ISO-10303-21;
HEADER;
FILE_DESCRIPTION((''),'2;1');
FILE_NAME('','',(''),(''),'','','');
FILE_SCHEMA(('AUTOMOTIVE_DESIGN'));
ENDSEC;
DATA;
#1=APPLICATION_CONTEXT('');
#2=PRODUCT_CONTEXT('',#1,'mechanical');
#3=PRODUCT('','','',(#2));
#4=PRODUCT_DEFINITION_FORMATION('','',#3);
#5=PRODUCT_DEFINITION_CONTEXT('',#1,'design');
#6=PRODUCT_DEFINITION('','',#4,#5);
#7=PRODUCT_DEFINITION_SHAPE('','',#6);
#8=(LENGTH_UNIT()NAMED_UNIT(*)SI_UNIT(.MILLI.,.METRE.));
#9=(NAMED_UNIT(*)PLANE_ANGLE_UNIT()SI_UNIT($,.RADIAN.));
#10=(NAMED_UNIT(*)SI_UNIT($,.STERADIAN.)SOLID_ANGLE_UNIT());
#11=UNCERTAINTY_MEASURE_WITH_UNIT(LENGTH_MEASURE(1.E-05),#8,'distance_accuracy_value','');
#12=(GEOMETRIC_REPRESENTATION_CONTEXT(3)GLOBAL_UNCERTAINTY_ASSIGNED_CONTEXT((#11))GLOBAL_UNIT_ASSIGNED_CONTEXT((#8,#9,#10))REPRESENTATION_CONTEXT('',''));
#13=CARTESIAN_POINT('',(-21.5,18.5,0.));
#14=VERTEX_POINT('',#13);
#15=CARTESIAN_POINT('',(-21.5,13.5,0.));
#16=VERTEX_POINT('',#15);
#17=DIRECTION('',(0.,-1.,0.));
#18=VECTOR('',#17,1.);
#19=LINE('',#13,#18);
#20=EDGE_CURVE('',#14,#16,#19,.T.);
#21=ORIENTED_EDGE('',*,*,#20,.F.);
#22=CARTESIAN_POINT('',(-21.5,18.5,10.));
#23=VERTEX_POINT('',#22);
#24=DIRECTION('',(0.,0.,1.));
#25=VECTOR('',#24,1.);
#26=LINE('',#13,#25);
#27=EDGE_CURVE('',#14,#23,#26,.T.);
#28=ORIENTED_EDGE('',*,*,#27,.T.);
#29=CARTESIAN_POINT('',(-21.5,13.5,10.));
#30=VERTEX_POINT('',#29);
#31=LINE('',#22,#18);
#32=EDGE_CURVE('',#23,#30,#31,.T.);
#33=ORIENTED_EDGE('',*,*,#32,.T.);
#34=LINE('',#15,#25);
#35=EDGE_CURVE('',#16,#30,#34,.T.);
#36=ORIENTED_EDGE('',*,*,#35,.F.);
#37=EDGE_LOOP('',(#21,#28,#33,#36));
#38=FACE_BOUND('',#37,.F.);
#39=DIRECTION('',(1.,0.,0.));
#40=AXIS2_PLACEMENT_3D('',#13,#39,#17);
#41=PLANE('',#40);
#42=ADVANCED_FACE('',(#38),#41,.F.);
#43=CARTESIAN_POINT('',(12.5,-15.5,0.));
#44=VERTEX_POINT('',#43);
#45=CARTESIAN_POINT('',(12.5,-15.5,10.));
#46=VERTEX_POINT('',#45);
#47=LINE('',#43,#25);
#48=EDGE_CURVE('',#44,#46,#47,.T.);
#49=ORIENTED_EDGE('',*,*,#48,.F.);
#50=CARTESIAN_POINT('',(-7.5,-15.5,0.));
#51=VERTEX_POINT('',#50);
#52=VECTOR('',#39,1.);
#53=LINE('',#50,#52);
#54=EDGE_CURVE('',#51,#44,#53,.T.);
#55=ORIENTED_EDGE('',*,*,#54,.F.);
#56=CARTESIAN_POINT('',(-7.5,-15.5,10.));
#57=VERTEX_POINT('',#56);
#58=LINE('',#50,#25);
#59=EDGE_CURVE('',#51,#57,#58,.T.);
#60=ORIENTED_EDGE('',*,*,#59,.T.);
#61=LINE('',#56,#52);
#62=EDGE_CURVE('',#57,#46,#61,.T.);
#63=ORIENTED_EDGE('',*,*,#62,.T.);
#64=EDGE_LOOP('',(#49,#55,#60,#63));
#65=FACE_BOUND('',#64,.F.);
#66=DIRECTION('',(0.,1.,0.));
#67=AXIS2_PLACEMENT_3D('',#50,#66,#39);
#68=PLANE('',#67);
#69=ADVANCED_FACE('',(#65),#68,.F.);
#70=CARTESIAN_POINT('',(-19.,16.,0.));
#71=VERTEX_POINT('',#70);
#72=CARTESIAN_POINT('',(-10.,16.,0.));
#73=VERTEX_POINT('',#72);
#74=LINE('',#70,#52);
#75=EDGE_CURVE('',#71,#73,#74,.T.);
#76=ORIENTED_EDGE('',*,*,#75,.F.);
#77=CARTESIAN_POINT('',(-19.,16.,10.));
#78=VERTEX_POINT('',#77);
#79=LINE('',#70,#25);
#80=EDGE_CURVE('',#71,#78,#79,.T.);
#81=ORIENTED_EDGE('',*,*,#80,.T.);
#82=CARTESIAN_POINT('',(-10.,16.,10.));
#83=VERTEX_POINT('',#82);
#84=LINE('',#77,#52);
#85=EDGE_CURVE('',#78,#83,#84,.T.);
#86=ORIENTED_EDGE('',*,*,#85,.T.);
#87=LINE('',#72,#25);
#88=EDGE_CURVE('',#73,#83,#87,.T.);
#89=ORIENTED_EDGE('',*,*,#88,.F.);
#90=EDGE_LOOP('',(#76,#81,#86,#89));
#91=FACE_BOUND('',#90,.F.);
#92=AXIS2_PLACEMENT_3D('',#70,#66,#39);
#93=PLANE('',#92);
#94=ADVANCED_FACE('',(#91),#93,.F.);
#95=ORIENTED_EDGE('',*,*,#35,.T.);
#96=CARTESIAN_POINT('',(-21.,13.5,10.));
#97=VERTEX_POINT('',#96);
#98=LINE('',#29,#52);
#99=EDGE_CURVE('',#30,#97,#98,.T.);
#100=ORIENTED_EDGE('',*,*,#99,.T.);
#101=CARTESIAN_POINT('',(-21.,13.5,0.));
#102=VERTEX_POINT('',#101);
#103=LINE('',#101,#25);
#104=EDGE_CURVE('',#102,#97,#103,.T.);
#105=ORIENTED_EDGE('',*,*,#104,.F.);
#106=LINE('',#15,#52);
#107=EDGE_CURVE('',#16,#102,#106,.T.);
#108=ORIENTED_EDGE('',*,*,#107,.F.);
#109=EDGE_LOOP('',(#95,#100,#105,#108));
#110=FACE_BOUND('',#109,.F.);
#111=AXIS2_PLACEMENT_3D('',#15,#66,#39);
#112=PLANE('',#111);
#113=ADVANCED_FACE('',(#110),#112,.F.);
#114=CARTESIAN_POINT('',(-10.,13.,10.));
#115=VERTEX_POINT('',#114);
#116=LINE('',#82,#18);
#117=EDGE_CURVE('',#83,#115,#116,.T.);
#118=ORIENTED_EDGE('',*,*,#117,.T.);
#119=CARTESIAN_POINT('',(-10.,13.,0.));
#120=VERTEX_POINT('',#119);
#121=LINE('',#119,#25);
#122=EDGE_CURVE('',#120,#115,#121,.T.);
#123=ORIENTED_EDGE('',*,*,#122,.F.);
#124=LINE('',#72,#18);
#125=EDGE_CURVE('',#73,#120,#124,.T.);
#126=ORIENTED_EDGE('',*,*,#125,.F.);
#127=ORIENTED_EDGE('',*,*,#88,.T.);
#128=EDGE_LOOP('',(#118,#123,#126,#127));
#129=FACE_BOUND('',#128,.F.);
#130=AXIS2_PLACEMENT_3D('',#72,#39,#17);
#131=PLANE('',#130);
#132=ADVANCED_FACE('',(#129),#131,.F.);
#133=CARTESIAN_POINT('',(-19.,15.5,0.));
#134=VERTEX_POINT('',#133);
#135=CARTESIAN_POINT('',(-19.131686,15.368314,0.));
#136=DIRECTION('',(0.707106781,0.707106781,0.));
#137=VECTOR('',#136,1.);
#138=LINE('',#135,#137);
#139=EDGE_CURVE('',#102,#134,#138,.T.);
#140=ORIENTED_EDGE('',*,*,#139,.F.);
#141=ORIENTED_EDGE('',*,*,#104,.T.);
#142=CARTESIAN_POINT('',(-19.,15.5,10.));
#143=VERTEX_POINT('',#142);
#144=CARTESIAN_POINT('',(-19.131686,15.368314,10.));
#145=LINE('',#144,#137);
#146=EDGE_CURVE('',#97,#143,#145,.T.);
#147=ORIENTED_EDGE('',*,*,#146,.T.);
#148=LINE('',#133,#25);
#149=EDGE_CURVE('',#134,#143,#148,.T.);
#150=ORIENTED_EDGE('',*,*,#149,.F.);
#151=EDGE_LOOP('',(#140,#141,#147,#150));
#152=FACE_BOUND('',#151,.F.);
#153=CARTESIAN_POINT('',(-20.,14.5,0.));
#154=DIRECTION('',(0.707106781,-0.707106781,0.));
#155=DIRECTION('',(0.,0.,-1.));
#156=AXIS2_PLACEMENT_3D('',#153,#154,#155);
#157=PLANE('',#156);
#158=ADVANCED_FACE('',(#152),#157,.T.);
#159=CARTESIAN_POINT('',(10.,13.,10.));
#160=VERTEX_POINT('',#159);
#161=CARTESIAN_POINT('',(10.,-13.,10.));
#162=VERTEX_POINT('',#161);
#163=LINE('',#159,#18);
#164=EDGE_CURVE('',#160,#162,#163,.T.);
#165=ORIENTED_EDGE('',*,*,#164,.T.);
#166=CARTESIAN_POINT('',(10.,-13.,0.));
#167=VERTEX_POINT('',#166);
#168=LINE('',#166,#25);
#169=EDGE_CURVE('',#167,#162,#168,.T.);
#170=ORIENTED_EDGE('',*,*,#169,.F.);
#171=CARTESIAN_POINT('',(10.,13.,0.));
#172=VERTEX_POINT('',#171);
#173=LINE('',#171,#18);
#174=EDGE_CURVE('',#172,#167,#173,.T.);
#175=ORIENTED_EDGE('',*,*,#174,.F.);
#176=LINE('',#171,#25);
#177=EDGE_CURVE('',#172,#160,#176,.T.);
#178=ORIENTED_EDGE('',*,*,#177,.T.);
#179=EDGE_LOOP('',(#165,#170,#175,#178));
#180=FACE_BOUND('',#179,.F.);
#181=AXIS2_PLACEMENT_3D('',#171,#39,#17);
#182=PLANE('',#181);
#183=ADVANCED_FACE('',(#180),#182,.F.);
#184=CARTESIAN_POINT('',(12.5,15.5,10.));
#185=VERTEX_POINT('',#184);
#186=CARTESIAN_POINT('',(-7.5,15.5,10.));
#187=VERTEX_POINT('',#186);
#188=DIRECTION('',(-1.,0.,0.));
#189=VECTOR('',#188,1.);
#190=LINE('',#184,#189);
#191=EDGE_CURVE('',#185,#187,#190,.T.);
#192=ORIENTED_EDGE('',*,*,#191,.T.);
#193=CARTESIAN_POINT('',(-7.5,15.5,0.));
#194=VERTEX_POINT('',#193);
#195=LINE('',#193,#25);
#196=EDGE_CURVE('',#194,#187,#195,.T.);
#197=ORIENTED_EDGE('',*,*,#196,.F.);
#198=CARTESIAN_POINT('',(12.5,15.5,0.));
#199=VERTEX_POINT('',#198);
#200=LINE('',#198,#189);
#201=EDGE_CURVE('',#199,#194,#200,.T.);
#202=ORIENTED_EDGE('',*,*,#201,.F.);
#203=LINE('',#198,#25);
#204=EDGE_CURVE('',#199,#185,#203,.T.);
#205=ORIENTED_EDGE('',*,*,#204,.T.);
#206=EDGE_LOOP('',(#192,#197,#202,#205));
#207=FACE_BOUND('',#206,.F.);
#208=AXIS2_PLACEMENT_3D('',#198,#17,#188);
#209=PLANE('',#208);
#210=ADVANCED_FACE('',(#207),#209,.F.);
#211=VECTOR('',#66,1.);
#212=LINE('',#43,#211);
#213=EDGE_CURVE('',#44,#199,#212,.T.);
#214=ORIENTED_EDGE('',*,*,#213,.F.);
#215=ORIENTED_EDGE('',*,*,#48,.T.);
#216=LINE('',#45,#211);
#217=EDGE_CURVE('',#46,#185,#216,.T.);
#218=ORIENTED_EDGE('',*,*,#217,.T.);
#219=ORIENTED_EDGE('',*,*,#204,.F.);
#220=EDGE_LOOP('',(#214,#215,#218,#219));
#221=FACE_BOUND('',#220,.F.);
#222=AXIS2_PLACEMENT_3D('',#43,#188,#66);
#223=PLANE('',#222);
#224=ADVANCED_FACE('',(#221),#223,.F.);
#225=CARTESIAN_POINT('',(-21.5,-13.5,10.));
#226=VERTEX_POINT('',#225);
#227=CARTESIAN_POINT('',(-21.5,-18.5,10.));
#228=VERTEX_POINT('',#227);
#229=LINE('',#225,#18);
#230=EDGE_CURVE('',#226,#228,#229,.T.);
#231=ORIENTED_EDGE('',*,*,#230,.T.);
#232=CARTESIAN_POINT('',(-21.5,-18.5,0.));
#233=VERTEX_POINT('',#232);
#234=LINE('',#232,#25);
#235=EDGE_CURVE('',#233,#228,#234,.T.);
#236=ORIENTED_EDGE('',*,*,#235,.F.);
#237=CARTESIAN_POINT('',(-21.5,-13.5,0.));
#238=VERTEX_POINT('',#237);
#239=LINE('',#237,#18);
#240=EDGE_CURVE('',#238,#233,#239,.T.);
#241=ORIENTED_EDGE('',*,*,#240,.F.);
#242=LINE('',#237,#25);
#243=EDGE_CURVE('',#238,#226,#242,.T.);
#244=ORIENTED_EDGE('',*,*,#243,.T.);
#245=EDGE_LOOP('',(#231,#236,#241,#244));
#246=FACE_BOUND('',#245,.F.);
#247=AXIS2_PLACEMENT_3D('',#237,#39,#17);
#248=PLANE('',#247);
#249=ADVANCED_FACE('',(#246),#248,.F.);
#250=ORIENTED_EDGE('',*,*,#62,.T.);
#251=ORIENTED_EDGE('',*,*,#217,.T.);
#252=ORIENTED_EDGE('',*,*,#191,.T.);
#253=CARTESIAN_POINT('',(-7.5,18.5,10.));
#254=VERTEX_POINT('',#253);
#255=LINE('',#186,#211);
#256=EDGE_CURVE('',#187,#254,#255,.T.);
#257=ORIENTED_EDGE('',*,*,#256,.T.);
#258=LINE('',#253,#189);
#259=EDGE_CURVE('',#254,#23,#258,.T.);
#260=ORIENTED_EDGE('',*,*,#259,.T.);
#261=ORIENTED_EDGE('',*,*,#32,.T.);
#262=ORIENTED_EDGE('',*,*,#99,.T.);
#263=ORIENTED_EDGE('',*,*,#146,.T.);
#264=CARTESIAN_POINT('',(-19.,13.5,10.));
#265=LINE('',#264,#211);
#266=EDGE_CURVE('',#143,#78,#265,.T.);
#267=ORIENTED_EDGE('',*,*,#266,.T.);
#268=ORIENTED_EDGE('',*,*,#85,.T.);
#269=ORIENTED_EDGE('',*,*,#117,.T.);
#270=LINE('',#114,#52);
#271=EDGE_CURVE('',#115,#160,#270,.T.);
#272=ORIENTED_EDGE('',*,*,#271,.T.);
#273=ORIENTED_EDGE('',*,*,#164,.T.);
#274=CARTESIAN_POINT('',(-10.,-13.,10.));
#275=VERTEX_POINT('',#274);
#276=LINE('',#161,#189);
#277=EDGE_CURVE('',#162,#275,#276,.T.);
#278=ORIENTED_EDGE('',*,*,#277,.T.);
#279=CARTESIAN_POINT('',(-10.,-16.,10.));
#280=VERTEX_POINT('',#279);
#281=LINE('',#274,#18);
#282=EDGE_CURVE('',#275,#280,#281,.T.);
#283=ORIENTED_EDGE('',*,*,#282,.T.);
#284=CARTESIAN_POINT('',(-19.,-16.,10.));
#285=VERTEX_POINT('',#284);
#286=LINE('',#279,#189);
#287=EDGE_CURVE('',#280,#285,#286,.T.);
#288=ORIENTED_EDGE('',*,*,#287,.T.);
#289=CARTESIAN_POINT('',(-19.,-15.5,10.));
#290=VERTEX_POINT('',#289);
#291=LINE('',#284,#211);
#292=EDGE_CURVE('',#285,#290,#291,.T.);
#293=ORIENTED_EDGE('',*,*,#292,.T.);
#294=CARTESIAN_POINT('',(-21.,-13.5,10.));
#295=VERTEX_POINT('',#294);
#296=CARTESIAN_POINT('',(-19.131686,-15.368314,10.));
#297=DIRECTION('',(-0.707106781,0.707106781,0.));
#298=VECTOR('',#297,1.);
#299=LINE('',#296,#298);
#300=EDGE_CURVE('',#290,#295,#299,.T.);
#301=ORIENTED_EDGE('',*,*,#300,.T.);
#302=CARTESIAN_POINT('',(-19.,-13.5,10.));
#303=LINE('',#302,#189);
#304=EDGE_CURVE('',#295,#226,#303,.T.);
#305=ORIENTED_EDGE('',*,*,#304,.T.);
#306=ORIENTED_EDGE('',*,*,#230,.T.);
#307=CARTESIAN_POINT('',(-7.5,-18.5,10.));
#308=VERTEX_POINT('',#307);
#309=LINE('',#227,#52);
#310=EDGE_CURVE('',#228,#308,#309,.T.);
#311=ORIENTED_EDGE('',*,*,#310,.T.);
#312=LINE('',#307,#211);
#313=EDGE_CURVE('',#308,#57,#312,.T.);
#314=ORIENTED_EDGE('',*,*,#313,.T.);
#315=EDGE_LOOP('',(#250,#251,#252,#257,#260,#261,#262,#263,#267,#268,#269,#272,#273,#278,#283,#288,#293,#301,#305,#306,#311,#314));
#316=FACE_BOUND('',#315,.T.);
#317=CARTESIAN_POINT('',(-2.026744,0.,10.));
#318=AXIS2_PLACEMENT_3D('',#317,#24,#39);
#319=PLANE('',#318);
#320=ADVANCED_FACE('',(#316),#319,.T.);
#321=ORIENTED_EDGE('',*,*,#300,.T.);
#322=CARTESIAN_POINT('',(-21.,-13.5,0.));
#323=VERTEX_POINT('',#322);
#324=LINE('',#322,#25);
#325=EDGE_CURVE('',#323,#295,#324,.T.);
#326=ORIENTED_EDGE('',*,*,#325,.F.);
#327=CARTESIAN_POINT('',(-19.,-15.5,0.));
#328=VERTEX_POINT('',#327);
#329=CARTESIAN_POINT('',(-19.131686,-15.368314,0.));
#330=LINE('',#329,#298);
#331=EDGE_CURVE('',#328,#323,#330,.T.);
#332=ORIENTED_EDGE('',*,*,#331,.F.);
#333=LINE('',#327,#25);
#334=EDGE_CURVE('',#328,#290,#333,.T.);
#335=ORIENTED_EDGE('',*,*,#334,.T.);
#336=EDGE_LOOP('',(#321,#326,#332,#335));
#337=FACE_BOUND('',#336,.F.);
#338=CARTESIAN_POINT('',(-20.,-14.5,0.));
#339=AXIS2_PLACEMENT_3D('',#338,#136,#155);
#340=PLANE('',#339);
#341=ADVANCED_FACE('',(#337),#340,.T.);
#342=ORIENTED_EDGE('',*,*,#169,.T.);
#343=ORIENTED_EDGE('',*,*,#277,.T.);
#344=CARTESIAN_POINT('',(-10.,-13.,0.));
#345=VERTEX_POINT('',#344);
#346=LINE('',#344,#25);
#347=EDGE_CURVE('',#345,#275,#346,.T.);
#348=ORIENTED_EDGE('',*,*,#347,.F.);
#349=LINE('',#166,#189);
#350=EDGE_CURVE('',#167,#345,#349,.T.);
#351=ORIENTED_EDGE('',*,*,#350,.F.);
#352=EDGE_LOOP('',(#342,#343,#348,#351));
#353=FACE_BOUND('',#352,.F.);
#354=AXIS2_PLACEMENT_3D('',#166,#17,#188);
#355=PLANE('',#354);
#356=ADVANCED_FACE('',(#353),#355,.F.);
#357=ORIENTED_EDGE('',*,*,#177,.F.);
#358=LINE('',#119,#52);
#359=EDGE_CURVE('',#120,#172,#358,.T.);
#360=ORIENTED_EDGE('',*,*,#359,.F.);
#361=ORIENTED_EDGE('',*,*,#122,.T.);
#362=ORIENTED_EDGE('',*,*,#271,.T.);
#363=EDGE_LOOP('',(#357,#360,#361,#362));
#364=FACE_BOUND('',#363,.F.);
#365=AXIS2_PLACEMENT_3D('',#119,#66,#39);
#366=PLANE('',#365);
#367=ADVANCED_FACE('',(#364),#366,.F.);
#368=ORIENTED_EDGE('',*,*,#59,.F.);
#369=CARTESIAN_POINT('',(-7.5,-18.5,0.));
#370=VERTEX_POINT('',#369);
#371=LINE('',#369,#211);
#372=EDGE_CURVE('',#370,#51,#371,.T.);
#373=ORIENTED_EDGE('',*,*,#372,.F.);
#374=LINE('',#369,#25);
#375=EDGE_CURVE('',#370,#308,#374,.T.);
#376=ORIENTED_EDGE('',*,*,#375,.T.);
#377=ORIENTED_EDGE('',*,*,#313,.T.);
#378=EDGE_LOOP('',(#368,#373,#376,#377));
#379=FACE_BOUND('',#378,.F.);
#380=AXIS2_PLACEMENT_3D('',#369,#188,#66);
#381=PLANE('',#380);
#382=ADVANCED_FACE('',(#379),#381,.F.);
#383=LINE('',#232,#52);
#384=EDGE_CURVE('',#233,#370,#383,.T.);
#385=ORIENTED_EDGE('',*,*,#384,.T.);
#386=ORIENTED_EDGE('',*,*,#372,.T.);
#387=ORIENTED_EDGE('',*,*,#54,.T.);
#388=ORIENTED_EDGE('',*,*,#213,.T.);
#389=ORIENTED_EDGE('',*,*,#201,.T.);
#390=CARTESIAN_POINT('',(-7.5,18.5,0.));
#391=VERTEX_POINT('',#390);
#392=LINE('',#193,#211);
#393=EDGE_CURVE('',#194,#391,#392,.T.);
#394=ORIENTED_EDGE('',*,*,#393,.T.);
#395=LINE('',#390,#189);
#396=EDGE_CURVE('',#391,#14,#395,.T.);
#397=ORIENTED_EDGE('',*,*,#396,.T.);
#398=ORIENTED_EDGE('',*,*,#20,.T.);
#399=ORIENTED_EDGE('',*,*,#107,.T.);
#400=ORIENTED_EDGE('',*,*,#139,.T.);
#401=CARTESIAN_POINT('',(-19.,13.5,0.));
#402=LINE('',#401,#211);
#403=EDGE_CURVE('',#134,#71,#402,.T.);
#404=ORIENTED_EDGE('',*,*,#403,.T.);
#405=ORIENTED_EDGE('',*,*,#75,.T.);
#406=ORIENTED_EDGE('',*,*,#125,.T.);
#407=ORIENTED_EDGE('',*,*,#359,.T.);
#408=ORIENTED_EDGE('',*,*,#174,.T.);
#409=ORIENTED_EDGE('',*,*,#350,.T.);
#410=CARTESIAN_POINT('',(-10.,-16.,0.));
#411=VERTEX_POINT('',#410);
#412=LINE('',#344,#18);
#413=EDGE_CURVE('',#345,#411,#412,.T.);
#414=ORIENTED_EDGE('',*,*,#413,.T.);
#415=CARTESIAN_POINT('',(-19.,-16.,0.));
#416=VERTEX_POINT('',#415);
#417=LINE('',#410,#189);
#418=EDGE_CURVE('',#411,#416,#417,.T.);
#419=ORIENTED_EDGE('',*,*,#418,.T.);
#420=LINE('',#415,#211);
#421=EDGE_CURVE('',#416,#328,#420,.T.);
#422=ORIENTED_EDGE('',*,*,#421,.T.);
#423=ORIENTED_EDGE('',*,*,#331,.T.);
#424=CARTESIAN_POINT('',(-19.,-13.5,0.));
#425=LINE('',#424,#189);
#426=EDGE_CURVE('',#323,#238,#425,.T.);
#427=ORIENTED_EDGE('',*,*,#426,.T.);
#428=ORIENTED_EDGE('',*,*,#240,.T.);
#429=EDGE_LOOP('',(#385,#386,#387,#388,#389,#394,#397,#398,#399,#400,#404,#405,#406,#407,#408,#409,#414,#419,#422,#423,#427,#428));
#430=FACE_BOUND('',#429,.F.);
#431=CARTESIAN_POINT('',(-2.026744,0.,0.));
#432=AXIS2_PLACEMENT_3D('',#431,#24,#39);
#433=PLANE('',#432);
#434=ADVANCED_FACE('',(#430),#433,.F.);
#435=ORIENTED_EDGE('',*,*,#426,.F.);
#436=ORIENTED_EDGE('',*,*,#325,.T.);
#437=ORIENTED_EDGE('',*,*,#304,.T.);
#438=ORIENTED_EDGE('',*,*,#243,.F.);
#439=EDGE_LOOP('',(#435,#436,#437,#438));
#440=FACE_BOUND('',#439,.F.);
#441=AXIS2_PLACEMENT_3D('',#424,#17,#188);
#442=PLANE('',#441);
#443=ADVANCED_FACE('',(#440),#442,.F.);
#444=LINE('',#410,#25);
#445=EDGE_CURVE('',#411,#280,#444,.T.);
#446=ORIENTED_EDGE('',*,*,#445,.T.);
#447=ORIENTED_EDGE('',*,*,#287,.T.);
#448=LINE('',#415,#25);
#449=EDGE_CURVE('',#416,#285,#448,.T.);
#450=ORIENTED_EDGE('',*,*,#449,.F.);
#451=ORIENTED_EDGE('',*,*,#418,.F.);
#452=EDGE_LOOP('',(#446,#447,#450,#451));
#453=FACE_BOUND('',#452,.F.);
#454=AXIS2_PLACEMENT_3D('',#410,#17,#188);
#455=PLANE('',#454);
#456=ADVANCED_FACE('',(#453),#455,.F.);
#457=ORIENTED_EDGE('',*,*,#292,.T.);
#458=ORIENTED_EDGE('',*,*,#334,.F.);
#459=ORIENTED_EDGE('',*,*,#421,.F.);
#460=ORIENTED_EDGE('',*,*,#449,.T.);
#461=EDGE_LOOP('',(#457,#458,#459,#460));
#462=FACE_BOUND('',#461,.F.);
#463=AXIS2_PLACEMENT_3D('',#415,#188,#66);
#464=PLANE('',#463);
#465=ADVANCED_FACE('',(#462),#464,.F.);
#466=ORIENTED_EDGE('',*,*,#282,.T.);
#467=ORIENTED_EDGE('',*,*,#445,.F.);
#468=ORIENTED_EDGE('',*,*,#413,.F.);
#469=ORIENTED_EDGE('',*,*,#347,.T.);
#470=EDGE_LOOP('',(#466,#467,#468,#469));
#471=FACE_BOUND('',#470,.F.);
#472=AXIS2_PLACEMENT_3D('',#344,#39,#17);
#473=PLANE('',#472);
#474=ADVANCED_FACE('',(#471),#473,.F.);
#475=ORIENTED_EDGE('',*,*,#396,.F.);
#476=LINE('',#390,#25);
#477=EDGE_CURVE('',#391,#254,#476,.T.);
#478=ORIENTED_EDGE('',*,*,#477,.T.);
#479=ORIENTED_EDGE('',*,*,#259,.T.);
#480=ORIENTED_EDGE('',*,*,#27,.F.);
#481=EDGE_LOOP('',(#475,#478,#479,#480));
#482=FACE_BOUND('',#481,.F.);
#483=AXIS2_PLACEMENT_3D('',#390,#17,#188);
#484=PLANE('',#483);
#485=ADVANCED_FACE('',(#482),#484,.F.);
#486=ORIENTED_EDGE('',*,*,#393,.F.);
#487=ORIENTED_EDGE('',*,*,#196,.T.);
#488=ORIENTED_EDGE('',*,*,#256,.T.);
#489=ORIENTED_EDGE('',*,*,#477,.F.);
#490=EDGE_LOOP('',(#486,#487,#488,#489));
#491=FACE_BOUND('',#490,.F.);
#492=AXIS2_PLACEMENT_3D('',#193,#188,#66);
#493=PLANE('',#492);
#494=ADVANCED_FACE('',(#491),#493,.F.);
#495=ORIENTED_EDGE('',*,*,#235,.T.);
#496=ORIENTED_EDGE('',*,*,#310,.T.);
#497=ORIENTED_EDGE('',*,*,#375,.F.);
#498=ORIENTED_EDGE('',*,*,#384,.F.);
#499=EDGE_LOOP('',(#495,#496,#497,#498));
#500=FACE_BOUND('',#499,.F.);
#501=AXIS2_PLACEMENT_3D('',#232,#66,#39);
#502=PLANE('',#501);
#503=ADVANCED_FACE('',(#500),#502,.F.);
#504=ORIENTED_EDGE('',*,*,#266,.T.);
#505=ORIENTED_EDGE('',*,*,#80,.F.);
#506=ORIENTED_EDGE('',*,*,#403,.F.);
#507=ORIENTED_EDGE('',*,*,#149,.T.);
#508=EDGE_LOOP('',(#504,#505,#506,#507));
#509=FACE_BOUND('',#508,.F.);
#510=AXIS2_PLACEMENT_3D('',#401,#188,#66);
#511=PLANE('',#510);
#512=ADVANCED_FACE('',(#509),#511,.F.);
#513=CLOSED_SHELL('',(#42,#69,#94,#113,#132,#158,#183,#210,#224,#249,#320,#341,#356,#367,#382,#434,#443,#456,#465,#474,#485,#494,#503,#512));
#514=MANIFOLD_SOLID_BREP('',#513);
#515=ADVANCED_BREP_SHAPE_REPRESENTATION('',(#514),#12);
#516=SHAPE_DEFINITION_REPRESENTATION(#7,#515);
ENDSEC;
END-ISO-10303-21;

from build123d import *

# Parameters (mm, degrees)
F1_DEPTH = 10
F2_SIZE  = 2


with BuildPart() as f1:
    # F0 (on Top) → F1 (new body)
    with BuildSketch(Plane.XY):
        Polygon((-10, 13), (10, 13), (10, -13), (-10, -13), (-10, -16), (-19, -16), (-19, -13.5), (-21.5, -13.5), (-21.5, -18.5), (-19, -18.5), (-7.5, -18.5), (-7.5, -15.5), (12.5, -15.5), (12.5, 15.5), (-7.5, 15.5), (-7.5, 18.5), (-19, 18.5), (-21.5, 18.5), (-21.5, 13.5), (-19, 13.5), (-19, 16), (-10, 16), align=None)
    extrude(amount=F1_DEPTH)

    # F2
    f2_edges = [f1.edges().sort_by_distance(p)[0] for p in [
        (-19, 13.5, 5),
        (-19, -13.5, 5),
    ]]
    chamfer(f2_edges, length=F2_SIZE)


solid = f1.part
